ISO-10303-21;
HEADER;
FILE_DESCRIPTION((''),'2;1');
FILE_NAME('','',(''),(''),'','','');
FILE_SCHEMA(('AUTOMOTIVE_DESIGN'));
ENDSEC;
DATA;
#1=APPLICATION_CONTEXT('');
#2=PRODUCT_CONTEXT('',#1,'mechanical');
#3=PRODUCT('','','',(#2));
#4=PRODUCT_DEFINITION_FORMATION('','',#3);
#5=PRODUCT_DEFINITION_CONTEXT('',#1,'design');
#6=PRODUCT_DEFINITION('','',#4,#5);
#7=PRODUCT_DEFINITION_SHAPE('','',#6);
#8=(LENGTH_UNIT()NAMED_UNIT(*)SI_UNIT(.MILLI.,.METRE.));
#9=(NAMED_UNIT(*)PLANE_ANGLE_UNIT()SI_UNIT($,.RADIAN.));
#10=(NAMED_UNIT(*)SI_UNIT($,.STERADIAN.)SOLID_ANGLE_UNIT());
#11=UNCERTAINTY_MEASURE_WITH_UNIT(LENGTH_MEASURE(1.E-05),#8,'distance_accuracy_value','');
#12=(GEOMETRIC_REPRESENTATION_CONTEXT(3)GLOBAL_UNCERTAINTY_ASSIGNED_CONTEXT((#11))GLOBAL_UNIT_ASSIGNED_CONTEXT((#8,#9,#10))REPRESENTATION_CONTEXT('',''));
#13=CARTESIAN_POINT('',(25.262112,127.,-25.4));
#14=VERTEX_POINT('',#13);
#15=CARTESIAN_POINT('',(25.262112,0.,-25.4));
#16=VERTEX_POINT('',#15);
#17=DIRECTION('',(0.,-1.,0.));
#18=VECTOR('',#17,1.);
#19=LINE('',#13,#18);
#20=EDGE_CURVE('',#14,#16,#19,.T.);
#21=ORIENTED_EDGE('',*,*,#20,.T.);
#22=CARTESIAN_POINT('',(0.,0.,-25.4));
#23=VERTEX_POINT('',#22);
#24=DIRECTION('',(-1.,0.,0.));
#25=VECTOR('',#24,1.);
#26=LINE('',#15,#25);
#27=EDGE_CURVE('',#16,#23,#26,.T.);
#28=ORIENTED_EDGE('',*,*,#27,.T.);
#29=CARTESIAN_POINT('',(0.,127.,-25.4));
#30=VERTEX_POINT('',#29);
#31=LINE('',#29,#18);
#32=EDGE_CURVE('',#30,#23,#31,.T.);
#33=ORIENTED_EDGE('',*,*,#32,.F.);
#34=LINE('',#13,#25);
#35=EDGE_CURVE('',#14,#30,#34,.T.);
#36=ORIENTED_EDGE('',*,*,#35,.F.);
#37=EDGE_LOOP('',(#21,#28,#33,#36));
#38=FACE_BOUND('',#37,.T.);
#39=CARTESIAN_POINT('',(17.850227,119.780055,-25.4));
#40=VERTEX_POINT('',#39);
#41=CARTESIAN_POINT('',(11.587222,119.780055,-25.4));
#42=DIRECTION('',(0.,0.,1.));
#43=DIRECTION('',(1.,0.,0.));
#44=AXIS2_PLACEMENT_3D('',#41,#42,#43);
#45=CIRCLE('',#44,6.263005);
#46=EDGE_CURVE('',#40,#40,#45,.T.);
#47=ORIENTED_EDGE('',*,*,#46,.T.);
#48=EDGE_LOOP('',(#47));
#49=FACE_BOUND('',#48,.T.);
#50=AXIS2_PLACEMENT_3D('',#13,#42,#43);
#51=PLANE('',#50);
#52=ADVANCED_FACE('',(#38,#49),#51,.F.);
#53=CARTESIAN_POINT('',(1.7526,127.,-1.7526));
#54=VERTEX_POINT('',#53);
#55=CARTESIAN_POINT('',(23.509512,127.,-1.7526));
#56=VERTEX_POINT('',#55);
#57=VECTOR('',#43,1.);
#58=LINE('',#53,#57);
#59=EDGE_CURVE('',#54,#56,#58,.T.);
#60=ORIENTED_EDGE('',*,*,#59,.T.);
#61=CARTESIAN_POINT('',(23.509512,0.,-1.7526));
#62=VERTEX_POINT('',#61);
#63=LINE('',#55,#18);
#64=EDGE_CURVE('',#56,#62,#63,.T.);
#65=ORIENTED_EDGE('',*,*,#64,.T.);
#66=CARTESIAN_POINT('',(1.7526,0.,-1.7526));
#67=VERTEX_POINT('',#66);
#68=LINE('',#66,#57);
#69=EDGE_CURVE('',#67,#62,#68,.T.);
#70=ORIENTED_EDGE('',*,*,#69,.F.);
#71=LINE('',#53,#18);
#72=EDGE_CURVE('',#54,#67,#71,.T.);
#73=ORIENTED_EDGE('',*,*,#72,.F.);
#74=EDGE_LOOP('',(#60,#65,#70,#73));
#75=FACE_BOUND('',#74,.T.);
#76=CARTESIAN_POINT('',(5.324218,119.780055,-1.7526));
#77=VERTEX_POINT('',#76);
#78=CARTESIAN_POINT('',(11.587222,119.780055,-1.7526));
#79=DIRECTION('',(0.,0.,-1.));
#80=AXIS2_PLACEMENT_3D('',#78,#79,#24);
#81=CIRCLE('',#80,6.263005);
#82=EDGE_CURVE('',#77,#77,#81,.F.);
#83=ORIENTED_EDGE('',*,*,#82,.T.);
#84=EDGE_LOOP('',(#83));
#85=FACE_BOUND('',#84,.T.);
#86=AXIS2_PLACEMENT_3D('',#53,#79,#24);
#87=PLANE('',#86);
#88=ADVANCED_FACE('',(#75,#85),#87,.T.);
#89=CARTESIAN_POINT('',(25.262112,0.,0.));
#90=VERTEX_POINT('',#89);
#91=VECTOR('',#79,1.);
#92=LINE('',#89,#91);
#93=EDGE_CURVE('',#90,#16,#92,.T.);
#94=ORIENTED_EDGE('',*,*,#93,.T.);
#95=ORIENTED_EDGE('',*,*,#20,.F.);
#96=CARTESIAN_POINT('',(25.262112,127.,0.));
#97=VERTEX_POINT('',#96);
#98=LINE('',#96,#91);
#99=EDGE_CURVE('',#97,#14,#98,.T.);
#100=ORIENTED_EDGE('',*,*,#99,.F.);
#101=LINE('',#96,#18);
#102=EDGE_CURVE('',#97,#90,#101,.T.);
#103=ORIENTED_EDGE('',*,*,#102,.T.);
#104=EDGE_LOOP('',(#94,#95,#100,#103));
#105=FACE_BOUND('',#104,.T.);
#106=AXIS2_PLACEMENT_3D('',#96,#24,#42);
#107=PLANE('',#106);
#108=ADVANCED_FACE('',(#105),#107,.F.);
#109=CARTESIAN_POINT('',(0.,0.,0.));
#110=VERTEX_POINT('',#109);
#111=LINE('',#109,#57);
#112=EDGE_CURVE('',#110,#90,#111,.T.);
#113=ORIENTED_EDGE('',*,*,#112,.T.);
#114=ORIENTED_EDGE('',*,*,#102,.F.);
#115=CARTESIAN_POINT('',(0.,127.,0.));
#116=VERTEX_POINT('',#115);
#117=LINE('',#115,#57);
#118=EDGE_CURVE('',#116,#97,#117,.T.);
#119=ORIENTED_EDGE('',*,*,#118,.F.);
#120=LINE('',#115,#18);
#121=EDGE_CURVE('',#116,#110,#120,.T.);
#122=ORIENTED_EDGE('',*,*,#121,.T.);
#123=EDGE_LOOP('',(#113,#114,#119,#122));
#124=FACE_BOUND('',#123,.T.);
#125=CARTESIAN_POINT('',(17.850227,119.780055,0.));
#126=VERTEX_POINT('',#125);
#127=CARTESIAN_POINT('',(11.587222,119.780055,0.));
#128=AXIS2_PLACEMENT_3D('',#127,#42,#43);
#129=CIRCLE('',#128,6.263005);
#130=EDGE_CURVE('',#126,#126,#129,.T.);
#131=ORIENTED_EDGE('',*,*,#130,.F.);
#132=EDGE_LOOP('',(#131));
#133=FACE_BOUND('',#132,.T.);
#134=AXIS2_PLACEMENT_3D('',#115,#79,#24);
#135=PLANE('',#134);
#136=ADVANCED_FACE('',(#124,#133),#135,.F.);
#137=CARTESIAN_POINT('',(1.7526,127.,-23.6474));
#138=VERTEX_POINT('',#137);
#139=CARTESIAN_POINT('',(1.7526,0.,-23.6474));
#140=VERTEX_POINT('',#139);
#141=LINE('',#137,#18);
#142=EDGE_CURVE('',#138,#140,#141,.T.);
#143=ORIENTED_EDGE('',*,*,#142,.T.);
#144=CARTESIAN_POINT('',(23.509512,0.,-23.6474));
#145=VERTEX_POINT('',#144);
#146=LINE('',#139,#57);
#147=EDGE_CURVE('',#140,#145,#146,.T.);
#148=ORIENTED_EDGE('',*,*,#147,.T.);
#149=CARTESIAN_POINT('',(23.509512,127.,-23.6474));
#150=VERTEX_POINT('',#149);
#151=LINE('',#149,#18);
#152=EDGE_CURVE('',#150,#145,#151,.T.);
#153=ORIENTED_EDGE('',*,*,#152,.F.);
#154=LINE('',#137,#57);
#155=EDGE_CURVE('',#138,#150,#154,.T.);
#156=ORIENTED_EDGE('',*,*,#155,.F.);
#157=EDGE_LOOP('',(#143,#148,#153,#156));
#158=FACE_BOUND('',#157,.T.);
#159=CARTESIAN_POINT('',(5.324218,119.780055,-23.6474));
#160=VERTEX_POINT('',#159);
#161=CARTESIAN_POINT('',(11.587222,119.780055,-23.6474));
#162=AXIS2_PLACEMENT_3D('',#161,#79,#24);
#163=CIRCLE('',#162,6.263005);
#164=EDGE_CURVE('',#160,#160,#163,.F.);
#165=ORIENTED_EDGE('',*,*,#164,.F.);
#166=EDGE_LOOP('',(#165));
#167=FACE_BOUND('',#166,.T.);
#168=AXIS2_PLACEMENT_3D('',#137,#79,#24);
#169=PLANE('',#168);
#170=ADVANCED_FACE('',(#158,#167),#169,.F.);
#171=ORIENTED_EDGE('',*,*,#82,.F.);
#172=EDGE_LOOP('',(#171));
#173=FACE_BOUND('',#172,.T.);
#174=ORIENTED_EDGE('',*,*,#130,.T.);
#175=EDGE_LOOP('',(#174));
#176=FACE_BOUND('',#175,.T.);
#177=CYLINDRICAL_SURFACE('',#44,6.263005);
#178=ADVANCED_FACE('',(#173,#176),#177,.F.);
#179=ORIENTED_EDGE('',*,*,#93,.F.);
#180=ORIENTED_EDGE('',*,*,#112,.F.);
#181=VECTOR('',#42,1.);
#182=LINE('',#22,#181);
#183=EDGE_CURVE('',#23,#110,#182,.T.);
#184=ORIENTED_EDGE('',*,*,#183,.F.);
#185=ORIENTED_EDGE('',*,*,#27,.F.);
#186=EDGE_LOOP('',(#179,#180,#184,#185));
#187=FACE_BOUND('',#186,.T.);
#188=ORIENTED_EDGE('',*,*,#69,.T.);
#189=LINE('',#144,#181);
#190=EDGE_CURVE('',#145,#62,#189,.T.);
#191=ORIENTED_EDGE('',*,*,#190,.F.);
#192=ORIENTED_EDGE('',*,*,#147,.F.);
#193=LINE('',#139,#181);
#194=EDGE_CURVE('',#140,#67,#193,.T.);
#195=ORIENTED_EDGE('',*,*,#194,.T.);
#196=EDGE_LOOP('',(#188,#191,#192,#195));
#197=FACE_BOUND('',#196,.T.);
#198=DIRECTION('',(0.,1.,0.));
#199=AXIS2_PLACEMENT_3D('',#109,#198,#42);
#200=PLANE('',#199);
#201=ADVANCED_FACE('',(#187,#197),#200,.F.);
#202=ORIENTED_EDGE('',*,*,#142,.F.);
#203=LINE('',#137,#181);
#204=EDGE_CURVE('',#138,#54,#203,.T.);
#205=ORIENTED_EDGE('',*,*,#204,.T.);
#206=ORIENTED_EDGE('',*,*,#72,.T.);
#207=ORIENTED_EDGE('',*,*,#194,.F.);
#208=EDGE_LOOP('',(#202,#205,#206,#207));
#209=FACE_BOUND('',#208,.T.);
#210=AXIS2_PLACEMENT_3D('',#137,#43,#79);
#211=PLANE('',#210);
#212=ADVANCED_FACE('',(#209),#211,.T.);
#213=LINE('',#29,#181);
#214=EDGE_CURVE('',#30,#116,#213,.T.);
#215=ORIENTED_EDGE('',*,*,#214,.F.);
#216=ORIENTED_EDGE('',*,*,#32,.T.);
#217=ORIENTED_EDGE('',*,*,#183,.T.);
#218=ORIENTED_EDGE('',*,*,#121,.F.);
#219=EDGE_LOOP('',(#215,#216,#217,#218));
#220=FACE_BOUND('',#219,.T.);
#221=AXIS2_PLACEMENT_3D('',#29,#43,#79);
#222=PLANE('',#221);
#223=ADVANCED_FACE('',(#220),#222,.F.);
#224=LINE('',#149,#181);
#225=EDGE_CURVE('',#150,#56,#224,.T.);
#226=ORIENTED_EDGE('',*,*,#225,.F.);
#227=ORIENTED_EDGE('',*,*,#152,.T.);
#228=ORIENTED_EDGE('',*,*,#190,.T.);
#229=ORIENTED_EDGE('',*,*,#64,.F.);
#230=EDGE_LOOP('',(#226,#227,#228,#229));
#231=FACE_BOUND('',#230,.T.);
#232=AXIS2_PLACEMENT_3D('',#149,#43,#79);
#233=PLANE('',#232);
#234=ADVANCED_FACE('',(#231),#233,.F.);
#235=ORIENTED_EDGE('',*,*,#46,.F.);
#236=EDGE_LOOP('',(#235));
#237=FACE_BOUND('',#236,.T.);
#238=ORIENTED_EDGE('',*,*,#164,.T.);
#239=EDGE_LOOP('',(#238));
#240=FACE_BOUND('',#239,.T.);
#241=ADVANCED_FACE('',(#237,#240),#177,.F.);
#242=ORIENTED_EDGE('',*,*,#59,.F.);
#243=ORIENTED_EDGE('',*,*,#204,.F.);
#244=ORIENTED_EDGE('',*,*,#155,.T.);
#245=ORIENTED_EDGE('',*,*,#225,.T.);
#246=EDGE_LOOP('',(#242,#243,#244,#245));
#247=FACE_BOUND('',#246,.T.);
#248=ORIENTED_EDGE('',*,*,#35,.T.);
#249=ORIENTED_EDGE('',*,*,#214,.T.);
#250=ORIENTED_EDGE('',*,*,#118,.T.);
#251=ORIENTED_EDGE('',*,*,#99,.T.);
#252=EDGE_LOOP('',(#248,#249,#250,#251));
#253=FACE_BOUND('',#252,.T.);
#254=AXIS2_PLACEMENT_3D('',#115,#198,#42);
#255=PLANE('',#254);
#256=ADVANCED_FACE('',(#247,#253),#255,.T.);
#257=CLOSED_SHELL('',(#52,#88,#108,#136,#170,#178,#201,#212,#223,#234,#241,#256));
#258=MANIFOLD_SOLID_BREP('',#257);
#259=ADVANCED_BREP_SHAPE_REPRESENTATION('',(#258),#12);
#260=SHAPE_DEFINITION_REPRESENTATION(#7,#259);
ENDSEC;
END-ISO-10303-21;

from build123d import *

# Parameters (mm, degrees)
SKETCH6_W           = 25.262112462
SKETCH6_H           = 25.4
BOSS_EXTRUDE3_DEPTH = 127
SKETCH8_R           = 6.263004549
CUT_EXTRUDE1_DEPTH  = 25.4
SKETCH9_W           = 21.756912462
SKETCH9_H           = 21.8948
CUT_EXTRUDE2_DEPTH  = 127


with BuildPart() as part:
    # Sketch6 → Boss-Extrude3 (new body)
    with BuildSketch(Plane(origin=(0, 0, 0), x_dir=(1, 0, 0), z_dir=(0, 1, 0))):
        with Locations((12.631056231, 12.7)):
            Rectangle(SKETCH6_W, SKETCH6_H)
    extrude(amount=BOSS_EXTRUDE3_DEPTH)

    # Sketch8 → Cut-Extrude1 (cut)
    with BuildSketch(Plane.XY):
        with Locations((11.587222139, 119.780054764)):
            Circle(SKETCH8_R)
    extrude(amount=-CUT_EXTRUDE1_DEPTH, mode=Mode.SUBTRACT)

    # Sketch9 → Cut-Extrude2 (cut)
    with BuildSketch(Plane(origin=(0, 0, 0), x_dir=(-1, 0, 0), z_dir=(0, -1, 0))):
        with Locations((-12.631056231, 12.7)):
            Rectangle(SKETCH9_W, SKETCH9_H)
    extrude(amount=-CUT_EXTRUDE2_DEPTH, mode=Mode.SUBTRACT)


solid = part.part
